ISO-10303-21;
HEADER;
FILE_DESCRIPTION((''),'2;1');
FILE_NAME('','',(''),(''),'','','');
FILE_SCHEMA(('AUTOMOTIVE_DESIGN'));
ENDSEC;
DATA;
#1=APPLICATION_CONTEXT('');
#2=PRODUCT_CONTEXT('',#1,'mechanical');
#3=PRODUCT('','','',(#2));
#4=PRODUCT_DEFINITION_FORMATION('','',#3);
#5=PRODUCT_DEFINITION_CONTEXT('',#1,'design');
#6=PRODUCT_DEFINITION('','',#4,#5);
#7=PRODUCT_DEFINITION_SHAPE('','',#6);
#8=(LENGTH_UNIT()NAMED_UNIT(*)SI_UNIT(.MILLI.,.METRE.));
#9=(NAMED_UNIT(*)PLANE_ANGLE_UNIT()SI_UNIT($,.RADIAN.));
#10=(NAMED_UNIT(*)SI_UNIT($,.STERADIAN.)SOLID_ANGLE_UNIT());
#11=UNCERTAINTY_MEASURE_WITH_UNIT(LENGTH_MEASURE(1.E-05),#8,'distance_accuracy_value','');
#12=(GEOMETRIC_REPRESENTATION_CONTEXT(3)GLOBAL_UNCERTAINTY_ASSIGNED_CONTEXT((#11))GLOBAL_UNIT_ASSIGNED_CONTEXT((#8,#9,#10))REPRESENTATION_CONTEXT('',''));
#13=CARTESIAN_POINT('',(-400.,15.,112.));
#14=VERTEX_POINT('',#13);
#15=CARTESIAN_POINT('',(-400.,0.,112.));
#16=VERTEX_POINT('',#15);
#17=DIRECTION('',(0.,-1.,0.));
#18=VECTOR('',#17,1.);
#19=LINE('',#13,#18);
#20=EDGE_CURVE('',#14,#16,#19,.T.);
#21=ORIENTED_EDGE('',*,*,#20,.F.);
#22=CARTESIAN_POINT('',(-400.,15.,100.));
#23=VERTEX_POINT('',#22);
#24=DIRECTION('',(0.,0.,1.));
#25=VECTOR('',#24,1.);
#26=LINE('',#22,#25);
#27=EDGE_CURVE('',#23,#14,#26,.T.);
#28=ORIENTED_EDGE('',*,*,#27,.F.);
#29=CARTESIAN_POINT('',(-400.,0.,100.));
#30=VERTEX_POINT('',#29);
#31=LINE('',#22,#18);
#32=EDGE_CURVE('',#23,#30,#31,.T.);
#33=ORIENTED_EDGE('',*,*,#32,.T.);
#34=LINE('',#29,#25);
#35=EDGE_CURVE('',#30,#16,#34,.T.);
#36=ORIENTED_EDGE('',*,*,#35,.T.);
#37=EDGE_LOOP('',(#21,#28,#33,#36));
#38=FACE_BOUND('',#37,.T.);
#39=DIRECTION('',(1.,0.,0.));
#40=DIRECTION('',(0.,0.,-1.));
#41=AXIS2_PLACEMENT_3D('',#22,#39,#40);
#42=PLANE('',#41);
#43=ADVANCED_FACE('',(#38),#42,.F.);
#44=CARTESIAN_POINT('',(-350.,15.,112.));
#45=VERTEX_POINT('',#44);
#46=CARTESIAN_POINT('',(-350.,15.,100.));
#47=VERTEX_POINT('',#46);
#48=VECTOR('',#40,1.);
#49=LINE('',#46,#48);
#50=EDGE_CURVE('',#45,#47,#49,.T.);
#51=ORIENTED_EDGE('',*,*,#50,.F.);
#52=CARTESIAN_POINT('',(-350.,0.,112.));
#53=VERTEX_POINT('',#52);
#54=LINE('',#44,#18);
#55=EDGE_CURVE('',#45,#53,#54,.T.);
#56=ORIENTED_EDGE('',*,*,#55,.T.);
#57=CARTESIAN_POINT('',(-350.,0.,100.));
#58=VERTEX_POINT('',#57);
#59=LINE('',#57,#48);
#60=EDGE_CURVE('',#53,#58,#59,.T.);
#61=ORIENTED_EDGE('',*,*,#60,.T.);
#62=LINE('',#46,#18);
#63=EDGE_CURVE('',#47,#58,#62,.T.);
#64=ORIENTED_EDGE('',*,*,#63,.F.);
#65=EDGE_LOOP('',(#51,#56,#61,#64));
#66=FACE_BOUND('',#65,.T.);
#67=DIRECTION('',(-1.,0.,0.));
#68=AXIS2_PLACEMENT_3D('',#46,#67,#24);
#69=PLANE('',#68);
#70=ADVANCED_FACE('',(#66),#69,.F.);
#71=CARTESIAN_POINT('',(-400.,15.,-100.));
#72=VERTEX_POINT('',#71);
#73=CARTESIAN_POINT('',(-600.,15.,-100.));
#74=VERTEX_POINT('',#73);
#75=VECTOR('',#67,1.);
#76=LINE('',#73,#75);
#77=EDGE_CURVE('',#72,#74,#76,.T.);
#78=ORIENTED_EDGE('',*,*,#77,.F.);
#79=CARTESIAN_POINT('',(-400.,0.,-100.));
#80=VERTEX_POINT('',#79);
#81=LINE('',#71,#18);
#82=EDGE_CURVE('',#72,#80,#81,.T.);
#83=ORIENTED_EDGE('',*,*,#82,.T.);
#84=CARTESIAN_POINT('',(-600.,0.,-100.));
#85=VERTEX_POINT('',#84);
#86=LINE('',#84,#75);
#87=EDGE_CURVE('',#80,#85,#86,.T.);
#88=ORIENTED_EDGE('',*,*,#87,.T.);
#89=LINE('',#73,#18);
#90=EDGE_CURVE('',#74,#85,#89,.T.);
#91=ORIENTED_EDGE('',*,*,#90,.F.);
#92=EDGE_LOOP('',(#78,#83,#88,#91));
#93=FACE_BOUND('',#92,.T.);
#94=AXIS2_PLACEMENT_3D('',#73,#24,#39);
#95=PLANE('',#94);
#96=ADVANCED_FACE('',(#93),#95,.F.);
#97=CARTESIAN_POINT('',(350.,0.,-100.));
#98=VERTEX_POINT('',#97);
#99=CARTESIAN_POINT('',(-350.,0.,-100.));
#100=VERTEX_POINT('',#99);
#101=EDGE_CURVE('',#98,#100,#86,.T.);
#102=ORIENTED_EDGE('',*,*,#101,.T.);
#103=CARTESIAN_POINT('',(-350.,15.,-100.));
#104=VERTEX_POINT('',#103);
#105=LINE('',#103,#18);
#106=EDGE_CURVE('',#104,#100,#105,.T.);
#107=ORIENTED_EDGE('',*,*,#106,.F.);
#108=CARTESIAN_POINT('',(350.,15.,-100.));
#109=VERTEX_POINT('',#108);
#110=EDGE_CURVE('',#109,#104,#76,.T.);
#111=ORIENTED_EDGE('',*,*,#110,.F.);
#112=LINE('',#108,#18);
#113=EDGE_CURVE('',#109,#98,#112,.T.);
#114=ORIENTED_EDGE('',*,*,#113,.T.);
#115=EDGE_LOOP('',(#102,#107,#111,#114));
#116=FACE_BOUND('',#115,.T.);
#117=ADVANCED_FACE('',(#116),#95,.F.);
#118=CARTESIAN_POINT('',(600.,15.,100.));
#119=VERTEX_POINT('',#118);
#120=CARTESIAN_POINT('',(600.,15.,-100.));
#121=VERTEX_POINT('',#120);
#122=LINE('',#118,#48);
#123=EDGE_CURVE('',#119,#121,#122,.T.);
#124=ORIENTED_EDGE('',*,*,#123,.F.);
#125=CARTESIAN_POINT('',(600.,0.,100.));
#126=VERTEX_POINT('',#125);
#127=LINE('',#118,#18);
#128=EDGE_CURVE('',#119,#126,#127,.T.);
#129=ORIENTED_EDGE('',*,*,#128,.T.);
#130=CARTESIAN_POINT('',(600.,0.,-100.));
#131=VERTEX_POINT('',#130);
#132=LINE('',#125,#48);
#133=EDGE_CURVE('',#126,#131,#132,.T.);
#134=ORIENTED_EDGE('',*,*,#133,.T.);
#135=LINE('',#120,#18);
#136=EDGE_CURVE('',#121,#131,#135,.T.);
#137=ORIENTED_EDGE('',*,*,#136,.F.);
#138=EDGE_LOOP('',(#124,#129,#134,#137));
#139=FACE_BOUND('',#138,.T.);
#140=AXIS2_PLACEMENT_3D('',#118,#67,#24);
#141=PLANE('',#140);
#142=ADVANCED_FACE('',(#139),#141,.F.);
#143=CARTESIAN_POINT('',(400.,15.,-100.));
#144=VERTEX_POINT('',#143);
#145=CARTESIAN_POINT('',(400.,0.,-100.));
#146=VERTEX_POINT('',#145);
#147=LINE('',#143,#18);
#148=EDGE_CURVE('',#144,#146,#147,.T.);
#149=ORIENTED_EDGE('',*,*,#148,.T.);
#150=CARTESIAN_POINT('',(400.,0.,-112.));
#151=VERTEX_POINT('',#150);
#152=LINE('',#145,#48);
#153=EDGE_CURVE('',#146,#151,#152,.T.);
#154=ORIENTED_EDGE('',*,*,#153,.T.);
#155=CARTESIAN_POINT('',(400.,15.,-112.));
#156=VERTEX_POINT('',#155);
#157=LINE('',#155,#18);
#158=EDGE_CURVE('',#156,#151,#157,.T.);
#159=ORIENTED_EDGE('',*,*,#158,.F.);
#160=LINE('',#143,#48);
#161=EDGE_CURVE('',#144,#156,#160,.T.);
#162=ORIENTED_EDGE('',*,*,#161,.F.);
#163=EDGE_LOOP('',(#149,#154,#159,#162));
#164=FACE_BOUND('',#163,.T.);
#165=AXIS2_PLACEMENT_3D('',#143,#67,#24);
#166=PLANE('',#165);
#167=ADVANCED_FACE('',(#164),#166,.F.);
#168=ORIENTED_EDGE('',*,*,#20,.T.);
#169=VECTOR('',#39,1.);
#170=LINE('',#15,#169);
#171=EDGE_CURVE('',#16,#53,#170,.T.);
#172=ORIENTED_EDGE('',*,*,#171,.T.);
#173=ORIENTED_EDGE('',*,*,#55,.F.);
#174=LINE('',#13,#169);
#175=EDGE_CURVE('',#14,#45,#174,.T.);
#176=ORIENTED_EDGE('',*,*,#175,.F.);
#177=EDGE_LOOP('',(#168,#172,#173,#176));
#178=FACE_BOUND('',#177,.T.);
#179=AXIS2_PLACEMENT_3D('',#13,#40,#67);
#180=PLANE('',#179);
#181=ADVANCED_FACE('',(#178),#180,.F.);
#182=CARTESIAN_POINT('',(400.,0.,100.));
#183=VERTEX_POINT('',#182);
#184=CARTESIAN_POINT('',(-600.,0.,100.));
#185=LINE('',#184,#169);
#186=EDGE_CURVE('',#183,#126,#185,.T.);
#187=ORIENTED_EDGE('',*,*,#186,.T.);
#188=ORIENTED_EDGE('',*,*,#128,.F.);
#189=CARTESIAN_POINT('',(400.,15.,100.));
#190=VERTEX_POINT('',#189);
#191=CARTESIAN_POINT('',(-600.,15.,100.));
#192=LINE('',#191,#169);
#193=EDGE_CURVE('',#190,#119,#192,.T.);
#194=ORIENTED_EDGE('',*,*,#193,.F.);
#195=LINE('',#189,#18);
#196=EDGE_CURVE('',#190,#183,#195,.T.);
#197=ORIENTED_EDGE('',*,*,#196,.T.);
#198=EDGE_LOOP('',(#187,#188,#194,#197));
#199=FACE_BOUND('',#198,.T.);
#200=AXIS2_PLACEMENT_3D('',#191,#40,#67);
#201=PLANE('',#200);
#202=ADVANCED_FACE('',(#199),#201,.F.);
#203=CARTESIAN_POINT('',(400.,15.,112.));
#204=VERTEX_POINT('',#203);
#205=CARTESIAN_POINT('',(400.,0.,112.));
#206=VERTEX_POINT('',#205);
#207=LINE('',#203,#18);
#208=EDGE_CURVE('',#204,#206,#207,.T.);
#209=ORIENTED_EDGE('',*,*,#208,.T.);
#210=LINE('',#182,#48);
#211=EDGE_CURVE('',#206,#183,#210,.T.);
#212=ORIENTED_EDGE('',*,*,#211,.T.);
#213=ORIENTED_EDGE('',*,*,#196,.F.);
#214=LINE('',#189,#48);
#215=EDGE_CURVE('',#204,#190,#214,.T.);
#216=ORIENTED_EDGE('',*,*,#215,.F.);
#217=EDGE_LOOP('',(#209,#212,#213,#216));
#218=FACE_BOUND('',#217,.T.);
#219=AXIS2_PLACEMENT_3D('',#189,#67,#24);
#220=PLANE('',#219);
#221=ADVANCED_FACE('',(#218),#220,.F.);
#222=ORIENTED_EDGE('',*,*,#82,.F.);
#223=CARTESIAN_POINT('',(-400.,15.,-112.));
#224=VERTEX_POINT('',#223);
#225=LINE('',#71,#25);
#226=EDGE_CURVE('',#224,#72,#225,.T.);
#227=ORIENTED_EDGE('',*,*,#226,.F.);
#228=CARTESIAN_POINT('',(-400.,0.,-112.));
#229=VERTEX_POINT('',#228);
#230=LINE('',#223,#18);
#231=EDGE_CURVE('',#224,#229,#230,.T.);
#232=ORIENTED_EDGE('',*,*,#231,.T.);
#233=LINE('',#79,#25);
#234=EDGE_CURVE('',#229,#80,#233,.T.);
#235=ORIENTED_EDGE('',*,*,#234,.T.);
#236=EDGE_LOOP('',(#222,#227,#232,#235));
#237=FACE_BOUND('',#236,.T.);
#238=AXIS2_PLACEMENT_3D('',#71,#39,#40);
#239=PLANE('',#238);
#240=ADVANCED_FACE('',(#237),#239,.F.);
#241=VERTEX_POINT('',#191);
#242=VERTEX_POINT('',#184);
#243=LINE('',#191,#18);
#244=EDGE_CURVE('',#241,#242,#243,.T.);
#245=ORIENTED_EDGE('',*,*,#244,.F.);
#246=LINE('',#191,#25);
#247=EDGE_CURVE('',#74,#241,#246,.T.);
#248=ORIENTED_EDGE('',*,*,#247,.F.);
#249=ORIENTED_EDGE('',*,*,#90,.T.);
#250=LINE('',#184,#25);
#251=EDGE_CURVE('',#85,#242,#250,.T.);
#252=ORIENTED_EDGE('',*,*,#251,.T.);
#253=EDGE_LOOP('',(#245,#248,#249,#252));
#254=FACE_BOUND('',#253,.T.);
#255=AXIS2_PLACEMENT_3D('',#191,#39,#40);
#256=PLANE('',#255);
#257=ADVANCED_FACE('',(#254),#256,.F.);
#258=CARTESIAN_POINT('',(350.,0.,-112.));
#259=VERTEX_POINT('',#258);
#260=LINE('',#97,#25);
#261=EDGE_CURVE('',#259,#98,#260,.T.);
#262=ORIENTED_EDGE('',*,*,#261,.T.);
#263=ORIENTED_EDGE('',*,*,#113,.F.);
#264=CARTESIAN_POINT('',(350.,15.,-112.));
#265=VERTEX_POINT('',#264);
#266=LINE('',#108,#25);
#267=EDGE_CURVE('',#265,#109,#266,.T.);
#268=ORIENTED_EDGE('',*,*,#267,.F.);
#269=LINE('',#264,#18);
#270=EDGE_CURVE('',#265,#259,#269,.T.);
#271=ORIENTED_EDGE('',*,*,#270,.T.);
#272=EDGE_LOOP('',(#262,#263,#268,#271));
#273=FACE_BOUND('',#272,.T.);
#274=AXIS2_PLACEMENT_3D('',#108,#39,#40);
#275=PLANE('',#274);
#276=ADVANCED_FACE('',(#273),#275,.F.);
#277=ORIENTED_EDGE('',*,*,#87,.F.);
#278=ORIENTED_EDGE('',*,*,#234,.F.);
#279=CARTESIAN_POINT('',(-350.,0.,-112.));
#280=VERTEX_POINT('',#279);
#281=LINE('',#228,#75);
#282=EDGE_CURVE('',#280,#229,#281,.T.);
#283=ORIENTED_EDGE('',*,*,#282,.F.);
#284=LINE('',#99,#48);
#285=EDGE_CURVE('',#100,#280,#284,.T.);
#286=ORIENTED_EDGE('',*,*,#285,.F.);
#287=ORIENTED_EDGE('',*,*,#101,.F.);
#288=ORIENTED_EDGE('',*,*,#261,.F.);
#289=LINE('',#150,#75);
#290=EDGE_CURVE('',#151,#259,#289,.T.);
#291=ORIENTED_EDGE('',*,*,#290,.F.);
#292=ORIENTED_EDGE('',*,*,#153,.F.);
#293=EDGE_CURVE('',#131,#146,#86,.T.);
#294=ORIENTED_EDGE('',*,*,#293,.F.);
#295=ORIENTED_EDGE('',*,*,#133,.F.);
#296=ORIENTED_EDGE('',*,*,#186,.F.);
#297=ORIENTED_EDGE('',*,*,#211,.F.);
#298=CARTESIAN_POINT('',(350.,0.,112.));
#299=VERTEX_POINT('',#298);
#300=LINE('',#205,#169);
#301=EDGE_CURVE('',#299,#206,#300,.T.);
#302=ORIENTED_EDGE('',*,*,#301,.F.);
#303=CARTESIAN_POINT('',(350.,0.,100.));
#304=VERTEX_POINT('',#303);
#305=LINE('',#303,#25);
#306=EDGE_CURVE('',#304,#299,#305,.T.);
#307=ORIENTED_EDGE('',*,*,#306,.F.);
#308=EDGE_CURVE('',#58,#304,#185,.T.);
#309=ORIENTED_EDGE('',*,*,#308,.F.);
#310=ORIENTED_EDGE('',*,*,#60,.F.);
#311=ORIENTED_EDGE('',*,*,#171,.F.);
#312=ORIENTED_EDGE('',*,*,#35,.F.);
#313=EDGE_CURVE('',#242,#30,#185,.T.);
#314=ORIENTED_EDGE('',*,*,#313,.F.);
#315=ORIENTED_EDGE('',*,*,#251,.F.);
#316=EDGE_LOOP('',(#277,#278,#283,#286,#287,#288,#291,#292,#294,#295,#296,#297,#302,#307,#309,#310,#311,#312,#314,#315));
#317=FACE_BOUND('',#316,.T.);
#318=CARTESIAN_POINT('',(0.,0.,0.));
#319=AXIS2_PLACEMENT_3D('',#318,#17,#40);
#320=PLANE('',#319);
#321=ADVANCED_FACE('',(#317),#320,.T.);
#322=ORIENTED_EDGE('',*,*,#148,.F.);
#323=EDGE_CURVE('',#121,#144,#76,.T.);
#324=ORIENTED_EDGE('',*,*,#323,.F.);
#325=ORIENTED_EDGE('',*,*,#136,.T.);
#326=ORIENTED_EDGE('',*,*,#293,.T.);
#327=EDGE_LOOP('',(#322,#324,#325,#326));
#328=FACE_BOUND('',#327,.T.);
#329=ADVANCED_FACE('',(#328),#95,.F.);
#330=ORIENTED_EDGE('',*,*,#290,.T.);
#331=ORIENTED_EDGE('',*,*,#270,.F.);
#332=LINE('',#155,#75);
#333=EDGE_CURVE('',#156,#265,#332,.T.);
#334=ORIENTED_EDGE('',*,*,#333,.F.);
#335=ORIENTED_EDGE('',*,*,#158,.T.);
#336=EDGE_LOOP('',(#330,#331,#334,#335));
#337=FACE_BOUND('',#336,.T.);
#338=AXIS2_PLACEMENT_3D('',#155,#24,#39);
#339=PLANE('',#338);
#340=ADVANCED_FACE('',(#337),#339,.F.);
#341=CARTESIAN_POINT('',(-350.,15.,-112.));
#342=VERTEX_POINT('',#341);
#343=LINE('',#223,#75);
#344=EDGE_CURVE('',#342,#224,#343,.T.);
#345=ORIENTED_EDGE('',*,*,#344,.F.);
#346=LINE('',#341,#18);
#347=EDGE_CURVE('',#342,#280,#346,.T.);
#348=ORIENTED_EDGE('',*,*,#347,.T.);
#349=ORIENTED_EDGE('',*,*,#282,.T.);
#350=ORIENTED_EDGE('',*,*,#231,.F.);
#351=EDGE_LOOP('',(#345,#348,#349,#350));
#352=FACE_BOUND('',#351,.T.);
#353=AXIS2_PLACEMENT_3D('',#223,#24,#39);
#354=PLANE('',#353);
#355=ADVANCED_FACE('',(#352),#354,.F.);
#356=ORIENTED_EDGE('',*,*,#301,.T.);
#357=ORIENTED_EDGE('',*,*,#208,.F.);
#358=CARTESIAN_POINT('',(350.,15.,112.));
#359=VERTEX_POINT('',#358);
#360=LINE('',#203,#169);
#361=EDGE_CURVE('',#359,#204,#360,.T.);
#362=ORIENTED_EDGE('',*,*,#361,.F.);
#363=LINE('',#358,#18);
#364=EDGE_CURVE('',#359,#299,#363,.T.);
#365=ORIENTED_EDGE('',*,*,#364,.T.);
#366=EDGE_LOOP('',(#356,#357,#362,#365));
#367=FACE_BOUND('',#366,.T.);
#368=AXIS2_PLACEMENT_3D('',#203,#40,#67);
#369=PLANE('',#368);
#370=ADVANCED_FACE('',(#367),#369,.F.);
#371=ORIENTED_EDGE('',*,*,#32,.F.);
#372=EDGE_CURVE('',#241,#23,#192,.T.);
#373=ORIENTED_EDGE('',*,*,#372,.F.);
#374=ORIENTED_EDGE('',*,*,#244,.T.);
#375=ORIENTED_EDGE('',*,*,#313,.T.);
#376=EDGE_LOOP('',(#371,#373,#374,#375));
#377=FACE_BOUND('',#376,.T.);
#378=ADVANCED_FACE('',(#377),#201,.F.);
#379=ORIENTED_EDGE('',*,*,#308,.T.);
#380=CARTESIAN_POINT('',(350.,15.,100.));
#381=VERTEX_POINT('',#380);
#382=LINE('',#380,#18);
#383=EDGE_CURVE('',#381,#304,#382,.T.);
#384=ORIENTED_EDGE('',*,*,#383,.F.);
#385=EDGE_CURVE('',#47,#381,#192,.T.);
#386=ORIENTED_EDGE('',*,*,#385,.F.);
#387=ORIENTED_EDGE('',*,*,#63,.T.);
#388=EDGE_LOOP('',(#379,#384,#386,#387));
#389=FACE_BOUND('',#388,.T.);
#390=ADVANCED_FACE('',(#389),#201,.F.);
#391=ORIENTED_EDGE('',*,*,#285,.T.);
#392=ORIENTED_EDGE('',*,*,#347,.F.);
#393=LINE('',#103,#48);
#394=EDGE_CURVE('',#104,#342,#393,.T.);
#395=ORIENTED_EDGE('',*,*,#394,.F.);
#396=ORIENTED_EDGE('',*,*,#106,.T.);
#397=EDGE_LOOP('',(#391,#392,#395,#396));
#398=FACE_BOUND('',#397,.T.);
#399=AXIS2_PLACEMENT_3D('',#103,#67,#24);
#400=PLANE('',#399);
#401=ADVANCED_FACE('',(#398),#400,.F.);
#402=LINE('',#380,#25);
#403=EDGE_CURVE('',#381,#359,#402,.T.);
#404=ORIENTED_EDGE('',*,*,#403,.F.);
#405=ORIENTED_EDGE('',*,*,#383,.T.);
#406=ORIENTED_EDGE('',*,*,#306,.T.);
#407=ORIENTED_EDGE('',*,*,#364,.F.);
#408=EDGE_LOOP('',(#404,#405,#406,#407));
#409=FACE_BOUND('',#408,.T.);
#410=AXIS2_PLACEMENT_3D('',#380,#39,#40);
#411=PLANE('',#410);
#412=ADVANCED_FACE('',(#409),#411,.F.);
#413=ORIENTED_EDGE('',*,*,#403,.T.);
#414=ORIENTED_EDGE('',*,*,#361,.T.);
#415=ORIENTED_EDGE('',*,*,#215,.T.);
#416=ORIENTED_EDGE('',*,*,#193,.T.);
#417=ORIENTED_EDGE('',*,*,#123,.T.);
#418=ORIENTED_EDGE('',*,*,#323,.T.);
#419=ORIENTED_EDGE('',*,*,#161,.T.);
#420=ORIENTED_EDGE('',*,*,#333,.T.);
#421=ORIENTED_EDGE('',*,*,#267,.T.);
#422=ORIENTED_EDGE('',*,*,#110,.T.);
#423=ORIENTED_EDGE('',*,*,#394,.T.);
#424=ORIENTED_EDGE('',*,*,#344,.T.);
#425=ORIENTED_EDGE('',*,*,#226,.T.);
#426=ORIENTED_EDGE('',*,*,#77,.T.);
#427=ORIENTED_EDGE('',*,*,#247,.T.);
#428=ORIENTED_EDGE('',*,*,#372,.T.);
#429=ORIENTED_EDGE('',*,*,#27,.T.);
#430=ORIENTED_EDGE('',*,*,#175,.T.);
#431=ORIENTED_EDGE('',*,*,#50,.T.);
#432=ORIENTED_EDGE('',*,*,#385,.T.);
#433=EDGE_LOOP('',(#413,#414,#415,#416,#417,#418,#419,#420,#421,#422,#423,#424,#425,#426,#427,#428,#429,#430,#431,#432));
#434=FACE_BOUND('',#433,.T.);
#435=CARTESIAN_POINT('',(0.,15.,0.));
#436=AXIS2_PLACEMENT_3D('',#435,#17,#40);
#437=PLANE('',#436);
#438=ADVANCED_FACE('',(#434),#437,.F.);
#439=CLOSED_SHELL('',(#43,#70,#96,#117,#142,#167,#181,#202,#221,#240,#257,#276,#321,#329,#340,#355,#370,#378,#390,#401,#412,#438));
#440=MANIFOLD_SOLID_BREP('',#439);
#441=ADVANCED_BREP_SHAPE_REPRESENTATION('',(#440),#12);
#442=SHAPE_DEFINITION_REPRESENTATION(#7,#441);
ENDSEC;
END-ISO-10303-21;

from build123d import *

# Parameters (mm, degrees)
CROQUIS1_W              = 1200
CROQUIS1_H              = 200
SALIENTE_EXTRUIR1_DEPTH = 15
CROQUIS3_W              = 50
CROQUIS3_H              = 12
SALIENTE_EXTRUIR2_DEPTH = 15


with BuildPart() as part:
    # Croquis1 → Saliente-Extruir1 (new body)
    with BuildSketch(Plane(origin=(0, 0, 0), x_dir=(1, 0, 0), z_dir=(0, 1, 0))):
        Rectangle(CROQUIS1_W, CROQUIS1_H)
    extrude(amount=SALIENTE_EXTRUIR1_DEPTH)

    # Croquis3 → Saliente-Extruir2 (add)
    with BuildSketch(Plane(origin=(0, 0, 0), x_dir=(1, 0, 0), z_dir=(0, 1, 0))):
        with Locations((-375, 106)):
            Rectangle(CROQUIS3_W, CROQUIS3_H)
        with Locations((-375, -106)):
            Rectangle(CROQUIS3_W, CROQUIS3_H)
        with Locations((375, -106)):
            Rectangle(CROQUIS3_W, CROQUIS3_H)
        with Locations((375, 106)):
            Rectangle(CROQUIS3_W, CROQUIS3_H)
    extrude(amount=SALIENTE_EXTRUIR2_DEPTH)


solid = part.part
